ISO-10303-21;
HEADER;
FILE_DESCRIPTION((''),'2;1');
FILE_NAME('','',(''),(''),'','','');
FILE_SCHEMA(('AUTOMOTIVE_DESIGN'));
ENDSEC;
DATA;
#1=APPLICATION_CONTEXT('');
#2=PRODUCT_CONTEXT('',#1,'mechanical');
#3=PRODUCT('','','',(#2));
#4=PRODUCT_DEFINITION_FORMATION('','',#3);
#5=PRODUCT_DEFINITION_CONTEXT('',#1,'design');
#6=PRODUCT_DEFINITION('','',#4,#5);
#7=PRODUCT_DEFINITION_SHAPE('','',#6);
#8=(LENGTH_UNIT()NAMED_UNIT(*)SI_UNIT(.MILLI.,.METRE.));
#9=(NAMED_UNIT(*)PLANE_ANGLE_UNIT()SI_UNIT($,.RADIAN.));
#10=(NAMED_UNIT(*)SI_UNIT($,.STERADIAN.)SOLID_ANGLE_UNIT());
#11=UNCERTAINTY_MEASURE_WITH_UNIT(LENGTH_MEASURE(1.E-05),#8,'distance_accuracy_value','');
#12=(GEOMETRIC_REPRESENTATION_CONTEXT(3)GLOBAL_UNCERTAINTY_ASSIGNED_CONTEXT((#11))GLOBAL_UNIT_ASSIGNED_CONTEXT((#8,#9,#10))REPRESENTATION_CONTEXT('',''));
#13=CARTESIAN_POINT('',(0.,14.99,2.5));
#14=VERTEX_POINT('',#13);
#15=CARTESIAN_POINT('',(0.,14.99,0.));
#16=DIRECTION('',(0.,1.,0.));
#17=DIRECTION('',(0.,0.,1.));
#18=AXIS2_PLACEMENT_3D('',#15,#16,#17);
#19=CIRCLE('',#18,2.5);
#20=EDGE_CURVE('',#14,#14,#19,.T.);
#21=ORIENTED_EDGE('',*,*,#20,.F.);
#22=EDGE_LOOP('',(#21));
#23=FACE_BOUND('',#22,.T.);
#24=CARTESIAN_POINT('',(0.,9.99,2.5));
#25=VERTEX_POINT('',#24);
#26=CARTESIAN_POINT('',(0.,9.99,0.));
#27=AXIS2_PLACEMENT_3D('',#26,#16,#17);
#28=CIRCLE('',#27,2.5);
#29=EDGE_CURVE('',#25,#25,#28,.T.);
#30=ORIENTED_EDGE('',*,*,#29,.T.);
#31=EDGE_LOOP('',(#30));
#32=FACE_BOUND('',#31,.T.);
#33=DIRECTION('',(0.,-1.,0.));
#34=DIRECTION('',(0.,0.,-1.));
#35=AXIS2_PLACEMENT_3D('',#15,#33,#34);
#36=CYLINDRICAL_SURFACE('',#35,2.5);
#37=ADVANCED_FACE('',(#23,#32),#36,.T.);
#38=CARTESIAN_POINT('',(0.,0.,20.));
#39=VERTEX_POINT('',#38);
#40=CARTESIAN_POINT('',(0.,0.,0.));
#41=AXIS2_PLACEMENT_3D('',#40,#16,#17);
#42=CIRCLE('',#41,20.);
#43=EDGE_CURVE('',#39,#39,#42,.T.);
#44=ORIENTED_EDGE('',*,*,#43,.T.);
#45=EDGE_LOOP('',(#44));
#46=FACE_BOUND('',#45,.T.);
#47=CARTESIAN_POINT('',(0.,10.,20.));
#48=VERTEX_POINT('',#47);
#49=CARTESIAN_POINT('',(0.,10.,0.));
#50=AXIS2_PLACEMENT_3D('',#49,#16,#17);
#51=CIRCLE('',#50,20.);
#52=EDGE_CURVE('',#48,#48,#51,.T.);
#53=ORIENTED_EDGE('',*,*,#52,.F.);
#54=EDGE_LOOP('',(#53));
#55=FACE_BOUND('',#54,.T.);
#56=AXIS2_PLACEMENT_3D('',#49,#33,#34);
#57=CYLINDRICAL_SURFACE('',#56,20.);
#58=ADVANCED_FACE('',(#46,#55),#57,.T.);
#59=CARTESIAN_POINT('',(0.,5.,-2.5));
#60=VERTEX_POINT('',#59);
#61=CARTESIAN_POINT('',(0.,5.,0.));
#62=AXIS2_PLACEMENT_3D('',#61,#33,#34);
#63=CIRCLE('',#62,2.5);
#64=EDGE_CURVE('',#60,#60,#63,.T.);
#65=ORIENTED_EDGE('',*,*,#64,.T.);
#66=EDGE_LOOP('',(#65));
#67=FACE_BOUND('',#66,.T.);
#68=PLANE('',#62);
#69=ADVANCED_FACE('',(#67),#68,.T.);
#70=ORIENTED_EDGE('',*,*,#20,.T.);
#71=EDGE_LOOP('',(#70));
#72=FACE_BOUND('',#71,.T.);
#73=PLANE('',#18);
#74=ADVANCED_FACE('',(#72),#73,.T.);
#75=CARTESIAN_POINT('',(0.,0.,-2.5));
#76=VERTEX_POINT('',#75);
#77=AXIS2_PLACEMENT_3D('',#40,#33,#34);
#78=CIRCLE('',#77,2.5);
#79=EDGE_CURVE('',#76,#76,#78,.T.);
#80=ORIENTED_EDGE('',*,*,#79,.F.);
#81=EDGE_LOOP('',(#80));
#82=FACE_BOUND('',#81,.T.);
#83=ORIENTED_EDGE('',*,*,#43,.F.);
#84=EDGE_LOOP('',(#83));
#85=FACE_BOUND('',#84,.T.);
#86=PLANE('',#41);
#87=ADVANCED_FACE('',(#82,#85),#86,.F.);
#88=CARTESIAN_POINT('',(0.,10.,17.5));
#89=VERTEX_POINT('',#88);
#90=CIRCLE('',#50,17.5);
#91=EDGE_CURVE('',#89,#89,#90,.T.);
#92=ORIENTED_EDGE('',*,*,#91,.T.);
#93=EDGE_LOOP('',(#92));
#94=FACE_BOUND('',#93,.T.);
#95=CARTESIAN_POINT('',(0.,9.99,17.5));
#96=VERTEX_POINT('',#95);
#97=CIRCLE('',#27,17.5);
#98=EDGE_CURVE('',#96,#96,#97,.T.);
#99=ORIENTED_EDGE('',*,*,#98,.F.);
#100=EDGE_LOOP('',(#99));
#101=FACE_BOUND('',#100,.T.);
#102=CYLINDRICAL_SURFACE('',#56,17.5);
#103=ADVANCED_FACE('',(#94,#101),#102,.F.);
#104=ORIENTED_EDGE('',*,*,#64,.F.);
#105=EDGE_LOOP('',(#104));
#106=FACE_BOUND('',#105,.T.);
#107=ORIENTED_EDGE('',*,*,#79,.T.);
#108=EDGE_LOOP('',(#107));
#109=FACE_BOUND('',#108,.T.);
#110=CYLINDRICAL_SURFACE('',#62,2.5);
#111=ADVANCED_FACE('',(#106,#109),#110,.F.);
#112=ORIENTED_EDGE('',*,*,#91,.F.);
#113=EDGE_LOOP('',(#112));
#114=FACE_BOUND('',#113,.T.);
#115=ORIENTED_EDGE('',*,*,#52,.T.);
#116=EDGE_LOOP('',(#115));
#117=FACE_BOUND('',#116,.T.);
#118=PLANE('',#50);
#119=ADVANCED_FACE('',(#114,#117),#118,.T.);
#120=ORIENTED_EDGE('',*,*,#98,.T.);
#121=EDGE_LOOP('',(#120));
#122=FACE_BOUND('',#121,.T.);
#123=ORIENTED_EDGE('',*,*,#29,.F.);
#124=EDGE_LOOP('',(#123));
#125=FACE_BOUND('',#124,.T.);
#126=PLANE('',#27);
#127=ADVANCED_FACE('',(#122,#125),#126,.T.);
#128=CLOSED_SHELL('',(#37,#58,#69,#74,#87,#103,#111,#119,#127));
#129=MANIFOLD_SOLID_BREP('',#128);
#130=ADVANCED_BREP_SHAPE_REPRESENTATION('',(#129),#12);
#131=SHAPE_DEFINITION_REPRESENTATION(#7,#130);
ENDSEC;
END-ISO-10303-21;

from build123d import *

# Parameters (mm, degrees)
SKETCH1_R           = 20
SKETCH1_R_2         = 17.5
BOSS_EXTRUDE1_DEPTH = 10
SKETCH2_R           = 17.5
BOSS_EXTRUDE3_DEPTH = 9.99
SKETCH4_R           = 2.5
BOSS_EXTRUDE4_DEPTH = 5
SKETCH3_R           = 2.5
CUT_EXTRUDE2_DEPTH  = 5


with BuildPart() as part:
    # Sketch1 → Boss-Extrude1 (new body)
    with BuildSketch(Plane(origin=(0, 0, 0), x_dir=(1, 0, 0), z_dir=(0, 1, 0))):
        with Locations(Location((0, 0, 0), (0, 0, 270))):
            Circle(SKETCH1_R)
        with Locations(Location((0, 0, 0), (0, 0, 270))):
            Circle(SKETCH1_R_2, mode=Mode.SUBTRACT)
    extrude(amount=BOSS_EXTRUDE1_DEPTH)



with BuildPart() as body_2:
    # Sketch2 → Boss-Extrude3 (new body)
    with BuildSketch(Plane(origin=(0, 0, 0), x_dir=(1, 0, 0), z_dir=(0, 1, 0))):
        with Locations(Location((0, 0, 0), (0, 0, 270))):
            Circle(SKETCH2_R)
    extrude(amount=BOSS_EXTRUDE3_DEPTH)


with BuildPart() as part_1:
    add(part.part)

    add(body_2.part)  # Boss-Extrude4 merges body 2
    # Sketch4 → Boss-Extrude4 (add)
    with BuildSketch(Plane(origin=(0, 9.99, 0), x_dir=(1, 0, 0), z_dir=(0, 1, 0))):
        with Locations(Location((0, 0, 0), (0, 0, 270))):
            Circle(SKETCH4_R)
    extrude(amount=BOSS_EXTRUDE4_DEPTH)

    # Sketch3 → Cut-Extrude2 (cut)
    with BuildSketch(Plane.XZ):
        with Locations(Location((0, 0, 0), (0, 0, 90))):
            Circle(SKETCH3_R)
    extrude(amount=-CUT_EXTRUDE2_DEPTH, mode=Mode.SUBTRACT)


solid = part_1.part
